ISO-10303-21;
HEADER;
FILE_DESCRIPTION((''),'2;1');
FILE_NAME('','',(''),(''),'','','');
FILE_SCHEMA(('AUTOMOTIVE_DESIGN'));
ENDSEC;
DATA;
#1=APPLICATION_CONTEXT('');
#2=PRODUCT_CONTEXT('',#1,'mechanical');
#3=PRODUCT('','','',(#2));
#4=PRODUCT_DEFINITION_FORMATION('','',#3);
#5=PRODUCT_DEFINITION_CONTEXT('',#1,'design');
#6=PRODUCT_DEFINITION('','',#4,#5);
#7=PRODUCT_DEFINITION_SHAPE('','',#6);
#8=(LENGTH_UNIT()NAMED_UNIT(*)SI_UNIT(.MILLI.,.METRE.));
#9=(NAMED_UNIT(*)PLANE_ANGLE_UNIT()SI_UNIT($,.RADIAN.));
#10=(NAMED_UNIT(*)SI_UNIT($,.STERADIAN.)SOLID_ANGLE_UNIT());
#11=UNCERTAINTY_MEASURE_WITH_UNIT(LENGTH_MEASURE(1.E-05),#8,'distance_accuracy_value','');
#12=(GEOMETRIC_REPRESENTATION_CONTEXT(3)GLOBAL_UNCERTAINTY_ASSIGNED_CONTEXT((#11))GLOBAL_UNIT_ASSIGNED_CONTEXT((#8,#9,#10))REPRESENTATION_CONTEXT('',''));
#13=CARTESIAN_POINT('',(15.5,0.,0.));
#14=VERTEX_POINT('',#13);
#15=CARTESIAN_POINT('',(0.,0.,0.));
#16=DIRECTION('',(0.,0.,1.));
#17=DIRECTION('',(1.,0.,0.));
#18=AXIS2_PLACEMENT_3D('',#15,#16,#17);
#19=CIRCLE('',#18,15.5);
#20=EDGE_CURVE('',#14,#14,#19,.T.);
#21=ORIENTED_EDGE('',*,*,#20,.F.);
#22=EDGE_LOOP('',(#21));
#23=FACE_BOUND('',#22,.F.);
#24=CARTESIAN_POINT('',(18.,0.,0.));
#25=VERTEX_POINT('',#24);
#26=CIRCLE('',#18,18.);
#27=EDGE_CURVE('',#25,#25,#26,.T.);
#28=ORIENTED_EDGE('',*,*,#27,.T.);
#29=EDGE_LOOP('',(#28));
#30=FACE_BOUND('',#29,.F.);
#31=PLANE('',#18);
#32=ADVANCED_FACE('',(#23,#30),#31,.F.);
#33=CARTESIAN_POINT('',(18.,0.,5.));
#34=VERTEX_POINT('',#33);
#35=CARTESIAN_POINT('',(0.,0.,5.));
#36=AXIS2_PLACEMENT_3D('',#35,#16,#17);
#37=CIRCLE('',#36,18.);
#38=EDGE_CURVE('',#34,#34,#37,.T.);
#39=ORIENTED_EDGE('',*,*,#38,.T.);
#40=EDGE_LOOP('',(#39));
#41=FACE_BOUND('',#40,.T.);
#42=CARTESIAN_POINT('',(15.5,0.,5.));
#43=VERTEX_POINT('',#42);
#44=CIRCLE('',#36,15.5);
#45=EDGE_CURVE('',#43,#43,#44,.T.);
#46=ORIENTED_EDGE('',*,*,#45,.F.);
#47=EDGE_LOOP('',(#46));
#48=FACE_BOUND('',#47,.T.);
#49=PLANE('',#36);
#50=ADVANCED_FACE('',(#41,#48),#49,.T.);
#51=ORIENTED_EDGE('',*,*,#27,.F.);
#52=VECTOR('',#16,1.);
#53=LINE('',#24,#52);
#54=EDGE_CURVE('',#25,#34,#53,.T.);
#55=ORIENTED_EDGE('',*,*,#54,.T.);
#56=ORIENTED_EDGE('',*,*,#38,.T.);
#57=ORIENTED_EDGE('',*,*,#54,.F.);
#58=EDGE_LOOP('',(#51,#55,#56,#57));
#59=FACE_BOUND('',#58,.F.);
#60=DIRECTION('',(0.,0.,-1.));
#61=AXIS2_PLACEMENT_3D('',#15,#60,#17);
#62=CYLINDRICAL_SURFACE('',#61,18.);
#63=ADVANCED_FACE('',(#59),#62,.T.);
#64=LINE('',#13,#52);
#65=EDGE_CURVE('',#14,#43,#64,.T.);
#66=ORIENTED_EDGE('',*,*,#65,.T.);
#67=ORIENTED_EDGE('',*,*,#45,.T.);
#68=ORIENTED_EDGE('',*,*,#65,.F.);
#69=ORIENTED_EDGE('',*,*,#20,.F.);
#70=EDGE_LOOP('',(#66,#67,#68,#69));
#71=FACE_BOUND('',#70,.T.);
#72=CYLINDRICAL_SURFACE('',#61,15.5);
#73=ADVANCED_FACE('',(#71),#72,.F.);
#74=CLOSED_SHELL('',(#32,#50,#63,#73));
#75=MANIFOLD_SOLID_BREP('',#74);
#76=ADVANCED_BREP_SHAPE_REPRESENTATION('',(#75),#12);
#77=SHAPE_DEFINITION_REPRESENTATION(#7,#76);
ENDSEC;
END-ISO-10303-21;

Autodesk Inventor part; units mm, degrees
ref_plane "YZ Plane" through (0, 0, 0) normal (1, 0, 0) x (0, 1, 0)
ref_plane "XZ Plane" through (0, 0, 0) normal (0, 1, 0) x (-1, 0, 0)
ref_plane "XY Plane" through (0, 0, 0) normal (0, 0, 1) x (1, 0, 0)
sketch "Sketch1" plane through (0, 0, 0) normal (0, 0, 1) x (1, 0, 0)
  circle A0 centre (0, 0) radius 15.5
  circle A1 centre (0, 0) radius 18
  dimension "d0" = 31
  dimension "d1" = 36
extrude "Extrusion1" add sketch "Sketch1" along normal blind 5
properties part number "Circle_TestFit_V1"
